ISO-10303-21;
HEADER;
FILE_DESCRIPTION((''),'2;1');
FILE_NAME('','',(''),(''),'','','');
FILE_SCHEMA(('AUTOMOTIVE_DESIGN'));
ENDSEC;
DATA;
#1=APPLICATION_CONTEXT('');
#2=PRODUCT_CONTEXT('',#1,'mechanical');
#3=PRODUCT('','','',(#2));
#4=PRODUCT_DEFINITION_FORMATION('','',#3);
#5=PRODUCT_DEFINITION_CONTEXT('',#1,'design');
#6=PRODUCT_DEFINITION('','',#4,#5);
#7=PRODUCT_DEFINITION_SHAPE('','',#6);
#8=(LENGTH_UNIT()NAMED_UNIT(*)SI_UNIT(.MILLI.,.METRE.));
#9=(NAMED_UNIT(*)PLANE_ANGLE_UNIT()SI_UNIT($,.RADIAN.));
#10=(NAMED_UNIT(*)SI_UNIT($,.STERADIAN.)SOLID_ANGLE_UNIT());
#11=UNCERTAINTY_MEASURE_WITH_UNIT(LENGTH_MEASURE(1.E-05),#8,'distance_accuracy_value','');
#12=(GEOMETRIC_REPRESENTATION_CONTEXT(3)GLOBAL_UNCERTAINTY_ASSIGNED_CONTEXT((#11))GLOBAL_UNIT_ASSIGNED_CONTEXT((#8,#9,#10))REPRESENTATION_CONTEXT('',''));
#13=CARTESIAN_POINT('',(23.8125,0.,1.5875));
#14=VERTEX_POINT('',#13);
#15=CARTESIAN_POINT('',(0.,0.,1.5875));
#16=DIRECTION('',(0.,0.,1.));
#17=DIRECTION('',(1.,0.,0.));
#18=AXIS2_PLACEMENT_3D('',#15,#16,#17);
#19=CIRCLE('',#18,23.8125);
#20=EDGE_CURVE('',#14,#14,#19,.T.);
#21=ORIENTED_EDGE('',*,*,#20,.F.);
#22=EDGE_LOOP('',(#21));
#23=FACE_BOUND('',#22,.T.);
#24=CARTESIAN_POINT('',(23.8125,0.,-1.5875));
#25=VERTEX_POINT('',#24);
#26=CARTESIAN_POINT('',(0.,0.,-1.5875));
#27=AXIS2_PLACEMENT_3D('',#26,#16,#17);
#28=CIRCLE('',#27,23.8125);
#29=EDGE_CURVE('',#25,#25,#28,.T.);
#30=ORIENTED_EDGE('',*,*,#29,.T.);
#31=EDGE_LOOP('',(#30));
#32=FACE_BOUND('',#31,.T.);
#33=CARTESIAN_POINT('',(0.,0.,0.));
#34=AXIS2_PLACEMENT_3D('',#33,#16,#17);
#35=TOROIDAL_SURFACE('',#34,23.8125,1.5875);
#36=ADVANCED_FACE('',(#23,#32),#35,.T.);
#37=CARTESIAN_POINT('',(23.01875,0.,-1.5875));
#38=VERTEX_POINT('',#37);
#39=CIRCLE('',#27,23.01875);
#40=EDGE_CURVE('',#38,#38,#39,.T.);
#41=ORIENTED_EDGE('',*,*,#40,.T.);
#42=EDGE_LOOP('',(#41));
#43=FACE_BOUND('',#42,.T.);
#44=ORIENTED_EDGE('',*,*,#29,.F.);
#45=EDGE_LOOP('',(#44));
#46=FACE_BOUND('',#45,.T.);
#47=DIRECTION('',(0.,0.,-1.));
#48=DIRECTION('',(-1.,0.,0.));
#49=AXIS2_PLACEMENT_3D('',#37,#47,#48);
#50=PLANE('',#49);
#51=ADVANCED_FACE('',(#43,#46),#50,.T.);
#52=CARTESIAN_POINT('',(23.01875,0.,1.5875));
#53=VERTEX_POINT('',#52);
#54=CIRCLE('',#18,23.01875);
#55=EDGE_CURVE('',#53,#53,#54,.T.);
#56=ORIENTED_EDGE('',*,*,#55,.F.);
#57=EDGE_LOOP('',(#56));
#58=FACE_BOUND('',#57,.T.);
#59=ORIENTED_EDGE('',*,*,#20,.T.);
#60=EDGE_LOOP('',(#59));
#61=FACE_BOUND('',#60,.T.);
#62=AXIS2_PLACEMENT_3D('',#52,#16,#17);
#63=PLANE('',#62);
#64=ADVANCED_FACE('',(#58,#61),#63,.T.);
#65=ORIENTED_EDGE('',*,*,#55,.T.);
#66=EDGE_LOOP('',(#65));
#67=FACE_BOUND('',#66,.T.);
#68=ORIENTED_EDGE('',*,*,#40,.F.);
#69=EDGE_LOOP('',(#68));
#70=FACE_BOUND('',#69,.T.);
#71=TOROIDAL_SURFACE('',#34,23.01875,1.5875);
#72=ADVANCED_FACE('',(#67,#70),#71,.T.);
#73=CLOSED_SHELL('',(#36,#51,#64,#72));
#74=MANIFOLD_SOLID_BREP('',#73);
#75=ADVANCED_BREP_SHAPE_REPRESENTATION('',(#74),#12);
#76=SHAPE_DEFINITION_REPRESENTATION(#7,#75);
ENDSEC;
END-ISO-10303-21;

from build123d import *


with BuildPart() as part:
    # Sketch1 → Revolve1 (revolve)
    with BuildSketch(Plane(origin=(0, 0, 0), x_dir=(1, 0, 0), z_dir=(0, 1, 0))):
        with BuildLine():
            Line((23.01875, 1.5875), (23.8125, 1.5875))
            ThreePointArc((23.8125, 1.5875), (25.4, 0), (23.8125, -1.5875))
            Line((23.8125, -1.5875), (23.01875, -1.5875))
            ThreePointArc((23.01875, -1.5875), (21.43125, 0), (23.01875, 1.5875))
        make_face()
    revolve(axis=Axis((0, 0, 0), (0, 0, -1)))


solid = part.part
